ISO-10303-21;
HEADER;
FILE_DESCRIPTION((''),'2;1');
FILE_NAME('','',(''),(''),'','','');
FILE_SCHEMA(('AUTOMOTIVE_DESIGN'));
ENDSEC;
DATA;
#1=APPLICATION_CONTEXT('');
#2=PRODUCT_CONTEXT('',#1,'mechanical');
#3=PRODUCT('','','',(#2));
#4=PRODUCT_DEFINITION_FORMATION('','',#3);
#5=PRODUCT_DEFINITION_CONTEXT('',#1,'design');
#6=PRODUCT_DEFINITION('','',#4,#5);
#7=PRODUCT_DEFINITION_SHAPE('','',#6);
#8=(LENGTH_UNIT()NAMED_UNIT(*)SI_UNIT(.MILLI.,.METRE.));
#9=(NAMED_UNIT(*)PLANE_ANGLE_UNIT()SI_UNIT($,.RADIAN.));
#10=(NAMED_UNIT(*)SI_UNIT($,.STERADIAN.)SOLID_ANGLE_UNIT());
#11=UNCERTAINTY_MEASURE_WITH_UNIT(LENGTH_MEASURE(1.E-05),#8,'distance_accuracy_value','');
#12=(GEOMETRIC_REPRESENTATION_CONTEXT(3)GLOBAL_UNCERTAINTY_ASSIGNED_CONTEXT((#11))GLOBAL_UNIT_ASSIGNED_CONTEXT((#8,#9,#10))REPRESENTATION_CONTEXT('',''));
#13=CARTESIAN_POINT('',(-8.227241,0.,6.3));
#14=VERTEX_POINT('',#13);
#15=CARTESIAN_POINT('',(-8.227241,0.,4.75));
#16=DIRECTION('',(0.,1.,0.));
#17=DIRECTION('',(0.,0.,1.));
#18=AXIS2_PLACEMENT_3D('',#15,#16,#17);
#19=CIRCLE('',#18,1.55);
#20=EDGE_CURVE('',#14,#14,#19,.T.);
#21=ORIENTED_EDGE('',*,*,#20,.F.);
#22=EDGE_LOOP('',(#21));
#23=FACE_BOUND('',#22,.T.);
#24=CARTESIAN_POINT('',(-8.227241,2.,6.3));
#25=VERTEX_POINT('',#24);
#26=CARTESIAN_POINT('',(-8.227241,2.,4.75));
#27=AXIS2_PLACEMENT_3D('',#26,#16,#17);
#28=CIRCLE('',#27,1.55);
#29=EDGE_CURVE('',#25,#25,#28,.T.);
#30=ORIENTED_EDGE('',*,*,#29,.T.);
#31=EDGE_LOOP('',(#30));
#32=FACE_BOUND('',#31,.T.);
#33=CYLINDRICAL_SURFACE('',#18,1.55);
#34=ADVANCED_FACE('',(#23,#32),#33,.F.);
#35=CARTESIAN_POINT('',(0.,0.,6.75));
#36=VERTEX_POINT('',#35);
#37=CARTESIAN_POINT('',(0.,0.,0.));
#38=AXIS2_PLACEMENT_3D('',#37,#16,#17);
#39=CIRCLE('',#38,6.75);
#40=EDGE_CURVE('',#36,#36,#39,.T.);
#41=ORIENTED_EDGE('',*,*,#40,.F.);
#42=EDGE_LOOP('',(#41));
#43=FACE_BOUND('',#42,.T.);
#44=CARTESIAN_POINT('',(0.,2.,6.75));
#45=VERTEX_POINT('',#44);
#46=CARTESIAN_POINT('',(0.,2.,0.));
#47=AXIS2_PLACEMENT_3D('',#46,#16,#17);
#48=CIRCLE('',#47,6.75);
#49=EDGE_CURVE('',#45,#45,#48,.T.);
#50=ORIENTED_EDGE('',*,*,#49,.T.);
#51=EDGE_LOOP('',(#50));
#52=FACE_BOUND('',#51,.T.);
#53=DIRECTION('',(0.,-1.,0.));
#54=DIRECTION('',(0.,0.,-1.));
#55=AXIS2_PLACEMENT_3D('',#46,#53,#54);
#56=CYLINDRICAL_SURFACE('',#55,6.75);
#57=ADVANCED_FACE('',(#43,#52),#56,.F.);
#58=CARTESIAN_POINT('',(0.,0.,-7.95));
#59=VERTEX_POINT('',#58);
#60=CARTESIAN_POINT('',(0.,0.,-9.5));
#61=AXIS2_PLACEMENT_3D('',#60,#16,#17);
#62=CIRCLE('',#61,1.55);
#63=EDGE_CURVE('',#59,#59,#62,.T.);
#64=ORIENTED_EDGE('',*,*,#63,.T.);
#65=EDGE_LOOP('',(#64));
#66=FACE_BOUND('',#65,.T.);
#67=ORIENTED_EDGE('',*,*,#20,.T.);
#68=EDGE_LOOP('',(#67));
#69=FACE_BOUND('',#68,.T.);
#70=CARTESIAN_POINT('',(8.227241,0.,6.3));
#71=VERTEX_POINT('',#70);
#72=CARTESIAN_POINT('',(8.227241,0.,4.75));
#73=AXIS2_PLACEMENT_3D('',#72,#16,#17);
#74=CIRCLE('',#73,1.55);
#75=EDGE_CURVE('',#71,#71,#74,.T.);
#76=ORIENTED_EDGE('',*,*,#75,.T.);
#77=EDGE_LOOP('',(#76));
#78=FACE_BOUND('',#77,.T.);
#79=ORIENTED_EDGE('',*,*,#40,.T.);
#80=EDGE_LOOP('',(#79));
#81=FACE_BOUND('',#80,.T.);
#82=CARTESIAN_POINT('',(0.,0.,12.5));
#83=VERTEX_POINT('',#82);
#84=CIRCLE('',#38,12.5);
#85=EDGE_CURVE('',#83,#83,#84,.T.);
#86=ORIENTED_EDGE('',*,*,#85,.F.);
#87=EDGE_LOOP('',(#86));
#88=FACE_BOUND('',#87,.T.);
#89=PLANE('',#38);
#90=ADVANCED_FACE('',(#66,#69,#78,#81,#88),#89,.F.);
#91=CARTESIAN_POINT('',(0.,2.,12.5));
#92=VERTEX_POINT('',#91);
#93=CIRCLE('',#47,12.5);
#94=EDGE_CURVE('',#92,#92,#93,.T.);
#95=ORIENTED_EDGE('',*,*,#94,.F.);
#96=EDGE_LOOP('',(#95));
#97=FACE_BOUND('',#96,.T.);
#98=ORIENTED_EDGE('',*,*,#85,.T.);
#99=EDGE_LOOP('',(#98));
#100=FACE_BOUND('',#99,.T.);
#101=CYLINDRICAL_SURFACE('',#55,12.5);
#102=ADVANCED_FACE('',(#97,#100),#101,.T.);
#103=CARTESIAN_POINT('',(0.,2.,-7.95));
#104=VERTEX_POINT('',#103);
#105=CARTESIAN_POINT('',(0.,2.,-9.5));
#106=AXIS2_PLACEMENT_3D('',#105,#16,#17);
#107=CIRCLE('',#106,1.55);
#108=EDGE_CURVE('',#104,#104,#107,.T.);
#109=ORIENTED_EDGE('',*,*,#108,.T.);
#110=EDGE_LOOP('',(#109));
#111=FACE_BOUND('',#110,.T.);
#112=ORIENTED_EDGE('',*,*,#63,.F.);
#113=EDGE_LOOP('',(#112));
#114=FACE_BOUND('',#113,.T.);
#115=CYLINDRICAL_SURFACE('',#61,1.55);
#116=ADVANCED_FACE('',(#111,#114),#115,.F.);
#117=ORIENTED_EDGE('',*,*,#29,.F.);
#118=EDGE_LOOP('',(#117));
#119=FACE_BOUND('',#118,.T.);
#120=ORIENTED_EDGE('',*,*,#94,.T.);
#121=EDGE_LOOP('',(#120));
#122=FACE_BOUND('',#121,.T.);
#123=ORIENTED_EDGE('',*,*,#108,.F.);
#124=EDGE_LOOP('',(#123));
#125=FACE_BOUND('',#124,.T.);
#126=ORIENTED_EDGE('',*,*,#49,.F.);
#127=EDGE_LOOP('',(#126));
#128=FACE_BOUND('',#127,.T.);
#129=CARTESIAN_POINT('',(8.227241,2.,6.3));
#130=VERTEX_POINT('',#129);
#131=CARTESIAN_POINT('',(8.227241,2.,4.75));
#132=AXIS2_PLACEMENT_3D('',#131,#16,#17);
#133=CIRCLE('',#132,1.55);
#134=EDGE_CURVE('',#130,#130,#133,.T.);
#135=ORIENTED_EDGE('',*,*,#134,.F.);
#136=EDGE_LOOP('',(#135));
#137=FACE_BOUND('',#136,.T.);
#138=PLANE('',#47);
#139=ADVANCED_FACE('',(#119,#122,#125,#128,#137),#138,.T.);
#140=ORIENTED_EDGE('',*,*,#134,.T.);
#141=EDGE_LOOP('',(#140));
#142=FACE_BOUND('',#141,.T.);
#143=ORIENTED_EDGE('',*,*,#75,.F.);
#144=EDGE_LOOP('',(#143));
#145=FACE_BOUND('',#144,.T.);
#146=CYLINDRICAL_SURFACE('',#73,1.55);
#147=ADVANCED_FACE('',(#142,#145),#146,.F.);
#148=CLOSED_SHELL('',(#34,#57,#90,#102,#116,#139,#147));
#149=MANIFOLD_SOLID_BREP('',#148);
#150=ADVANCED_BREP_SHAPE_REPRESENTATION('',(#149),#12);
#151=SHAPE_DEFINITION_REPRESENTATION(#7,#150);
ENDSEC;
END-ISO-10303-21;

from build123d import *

# Parameters (mm, degrees)
SKETCH_2_R          = 12.5
SKETCH_2_R_2        = 6.75
EXTRUDE_1_DEPTH     = 2
SKETCH_3_R          = 1.55
CUT_EXTRUDE_1_DEPTH = 18.790446875


with BuildPart() as part:
    # 草图2 → 凸台-拉伸1 (new body)
    with BuildSketch(Plane(origin=(0, 0, 0), x_dir=(1, 0, 0), z_dir=(0, 1, 0))):
        with Locations(Location((0, 0, 0), (0, 0, 270))):
            Circle(SKETCH_2_R)
        with Locations(Location((0, 0, 0), (0, 0, 270))):
            Circle(SKETCH_2_R_2, mode=Mode.SUBTRACT)
    extrude(amount=EXTRUDE_1_DEPTH)

    # 草图3 → 切除-拉伸1 (cut, through all)
    with BuildSketch(Plane(origin=(0, 2, 0), x_dir=(1, 0, 0), z_dir=(0, 1, 0))):
        with Locations(Location((0, 9.5, 0), (0, 0, 270))):
            Circle(SKETCH_3_R)
        with Locations(Location((8.227241336, -4.75, 0), (0, 0, 270))):
            Circle(SKETCH_3_R)
        with Locations(Location((-8.227241336, -4.75, 0), (0, 0, 270))):
            Circle(SKETCH_3_R)
    extrude(amount=-CUT_EXTRUDE_1_DEPTH, mode=Mode.SUBTRACT)


solid = part.part
